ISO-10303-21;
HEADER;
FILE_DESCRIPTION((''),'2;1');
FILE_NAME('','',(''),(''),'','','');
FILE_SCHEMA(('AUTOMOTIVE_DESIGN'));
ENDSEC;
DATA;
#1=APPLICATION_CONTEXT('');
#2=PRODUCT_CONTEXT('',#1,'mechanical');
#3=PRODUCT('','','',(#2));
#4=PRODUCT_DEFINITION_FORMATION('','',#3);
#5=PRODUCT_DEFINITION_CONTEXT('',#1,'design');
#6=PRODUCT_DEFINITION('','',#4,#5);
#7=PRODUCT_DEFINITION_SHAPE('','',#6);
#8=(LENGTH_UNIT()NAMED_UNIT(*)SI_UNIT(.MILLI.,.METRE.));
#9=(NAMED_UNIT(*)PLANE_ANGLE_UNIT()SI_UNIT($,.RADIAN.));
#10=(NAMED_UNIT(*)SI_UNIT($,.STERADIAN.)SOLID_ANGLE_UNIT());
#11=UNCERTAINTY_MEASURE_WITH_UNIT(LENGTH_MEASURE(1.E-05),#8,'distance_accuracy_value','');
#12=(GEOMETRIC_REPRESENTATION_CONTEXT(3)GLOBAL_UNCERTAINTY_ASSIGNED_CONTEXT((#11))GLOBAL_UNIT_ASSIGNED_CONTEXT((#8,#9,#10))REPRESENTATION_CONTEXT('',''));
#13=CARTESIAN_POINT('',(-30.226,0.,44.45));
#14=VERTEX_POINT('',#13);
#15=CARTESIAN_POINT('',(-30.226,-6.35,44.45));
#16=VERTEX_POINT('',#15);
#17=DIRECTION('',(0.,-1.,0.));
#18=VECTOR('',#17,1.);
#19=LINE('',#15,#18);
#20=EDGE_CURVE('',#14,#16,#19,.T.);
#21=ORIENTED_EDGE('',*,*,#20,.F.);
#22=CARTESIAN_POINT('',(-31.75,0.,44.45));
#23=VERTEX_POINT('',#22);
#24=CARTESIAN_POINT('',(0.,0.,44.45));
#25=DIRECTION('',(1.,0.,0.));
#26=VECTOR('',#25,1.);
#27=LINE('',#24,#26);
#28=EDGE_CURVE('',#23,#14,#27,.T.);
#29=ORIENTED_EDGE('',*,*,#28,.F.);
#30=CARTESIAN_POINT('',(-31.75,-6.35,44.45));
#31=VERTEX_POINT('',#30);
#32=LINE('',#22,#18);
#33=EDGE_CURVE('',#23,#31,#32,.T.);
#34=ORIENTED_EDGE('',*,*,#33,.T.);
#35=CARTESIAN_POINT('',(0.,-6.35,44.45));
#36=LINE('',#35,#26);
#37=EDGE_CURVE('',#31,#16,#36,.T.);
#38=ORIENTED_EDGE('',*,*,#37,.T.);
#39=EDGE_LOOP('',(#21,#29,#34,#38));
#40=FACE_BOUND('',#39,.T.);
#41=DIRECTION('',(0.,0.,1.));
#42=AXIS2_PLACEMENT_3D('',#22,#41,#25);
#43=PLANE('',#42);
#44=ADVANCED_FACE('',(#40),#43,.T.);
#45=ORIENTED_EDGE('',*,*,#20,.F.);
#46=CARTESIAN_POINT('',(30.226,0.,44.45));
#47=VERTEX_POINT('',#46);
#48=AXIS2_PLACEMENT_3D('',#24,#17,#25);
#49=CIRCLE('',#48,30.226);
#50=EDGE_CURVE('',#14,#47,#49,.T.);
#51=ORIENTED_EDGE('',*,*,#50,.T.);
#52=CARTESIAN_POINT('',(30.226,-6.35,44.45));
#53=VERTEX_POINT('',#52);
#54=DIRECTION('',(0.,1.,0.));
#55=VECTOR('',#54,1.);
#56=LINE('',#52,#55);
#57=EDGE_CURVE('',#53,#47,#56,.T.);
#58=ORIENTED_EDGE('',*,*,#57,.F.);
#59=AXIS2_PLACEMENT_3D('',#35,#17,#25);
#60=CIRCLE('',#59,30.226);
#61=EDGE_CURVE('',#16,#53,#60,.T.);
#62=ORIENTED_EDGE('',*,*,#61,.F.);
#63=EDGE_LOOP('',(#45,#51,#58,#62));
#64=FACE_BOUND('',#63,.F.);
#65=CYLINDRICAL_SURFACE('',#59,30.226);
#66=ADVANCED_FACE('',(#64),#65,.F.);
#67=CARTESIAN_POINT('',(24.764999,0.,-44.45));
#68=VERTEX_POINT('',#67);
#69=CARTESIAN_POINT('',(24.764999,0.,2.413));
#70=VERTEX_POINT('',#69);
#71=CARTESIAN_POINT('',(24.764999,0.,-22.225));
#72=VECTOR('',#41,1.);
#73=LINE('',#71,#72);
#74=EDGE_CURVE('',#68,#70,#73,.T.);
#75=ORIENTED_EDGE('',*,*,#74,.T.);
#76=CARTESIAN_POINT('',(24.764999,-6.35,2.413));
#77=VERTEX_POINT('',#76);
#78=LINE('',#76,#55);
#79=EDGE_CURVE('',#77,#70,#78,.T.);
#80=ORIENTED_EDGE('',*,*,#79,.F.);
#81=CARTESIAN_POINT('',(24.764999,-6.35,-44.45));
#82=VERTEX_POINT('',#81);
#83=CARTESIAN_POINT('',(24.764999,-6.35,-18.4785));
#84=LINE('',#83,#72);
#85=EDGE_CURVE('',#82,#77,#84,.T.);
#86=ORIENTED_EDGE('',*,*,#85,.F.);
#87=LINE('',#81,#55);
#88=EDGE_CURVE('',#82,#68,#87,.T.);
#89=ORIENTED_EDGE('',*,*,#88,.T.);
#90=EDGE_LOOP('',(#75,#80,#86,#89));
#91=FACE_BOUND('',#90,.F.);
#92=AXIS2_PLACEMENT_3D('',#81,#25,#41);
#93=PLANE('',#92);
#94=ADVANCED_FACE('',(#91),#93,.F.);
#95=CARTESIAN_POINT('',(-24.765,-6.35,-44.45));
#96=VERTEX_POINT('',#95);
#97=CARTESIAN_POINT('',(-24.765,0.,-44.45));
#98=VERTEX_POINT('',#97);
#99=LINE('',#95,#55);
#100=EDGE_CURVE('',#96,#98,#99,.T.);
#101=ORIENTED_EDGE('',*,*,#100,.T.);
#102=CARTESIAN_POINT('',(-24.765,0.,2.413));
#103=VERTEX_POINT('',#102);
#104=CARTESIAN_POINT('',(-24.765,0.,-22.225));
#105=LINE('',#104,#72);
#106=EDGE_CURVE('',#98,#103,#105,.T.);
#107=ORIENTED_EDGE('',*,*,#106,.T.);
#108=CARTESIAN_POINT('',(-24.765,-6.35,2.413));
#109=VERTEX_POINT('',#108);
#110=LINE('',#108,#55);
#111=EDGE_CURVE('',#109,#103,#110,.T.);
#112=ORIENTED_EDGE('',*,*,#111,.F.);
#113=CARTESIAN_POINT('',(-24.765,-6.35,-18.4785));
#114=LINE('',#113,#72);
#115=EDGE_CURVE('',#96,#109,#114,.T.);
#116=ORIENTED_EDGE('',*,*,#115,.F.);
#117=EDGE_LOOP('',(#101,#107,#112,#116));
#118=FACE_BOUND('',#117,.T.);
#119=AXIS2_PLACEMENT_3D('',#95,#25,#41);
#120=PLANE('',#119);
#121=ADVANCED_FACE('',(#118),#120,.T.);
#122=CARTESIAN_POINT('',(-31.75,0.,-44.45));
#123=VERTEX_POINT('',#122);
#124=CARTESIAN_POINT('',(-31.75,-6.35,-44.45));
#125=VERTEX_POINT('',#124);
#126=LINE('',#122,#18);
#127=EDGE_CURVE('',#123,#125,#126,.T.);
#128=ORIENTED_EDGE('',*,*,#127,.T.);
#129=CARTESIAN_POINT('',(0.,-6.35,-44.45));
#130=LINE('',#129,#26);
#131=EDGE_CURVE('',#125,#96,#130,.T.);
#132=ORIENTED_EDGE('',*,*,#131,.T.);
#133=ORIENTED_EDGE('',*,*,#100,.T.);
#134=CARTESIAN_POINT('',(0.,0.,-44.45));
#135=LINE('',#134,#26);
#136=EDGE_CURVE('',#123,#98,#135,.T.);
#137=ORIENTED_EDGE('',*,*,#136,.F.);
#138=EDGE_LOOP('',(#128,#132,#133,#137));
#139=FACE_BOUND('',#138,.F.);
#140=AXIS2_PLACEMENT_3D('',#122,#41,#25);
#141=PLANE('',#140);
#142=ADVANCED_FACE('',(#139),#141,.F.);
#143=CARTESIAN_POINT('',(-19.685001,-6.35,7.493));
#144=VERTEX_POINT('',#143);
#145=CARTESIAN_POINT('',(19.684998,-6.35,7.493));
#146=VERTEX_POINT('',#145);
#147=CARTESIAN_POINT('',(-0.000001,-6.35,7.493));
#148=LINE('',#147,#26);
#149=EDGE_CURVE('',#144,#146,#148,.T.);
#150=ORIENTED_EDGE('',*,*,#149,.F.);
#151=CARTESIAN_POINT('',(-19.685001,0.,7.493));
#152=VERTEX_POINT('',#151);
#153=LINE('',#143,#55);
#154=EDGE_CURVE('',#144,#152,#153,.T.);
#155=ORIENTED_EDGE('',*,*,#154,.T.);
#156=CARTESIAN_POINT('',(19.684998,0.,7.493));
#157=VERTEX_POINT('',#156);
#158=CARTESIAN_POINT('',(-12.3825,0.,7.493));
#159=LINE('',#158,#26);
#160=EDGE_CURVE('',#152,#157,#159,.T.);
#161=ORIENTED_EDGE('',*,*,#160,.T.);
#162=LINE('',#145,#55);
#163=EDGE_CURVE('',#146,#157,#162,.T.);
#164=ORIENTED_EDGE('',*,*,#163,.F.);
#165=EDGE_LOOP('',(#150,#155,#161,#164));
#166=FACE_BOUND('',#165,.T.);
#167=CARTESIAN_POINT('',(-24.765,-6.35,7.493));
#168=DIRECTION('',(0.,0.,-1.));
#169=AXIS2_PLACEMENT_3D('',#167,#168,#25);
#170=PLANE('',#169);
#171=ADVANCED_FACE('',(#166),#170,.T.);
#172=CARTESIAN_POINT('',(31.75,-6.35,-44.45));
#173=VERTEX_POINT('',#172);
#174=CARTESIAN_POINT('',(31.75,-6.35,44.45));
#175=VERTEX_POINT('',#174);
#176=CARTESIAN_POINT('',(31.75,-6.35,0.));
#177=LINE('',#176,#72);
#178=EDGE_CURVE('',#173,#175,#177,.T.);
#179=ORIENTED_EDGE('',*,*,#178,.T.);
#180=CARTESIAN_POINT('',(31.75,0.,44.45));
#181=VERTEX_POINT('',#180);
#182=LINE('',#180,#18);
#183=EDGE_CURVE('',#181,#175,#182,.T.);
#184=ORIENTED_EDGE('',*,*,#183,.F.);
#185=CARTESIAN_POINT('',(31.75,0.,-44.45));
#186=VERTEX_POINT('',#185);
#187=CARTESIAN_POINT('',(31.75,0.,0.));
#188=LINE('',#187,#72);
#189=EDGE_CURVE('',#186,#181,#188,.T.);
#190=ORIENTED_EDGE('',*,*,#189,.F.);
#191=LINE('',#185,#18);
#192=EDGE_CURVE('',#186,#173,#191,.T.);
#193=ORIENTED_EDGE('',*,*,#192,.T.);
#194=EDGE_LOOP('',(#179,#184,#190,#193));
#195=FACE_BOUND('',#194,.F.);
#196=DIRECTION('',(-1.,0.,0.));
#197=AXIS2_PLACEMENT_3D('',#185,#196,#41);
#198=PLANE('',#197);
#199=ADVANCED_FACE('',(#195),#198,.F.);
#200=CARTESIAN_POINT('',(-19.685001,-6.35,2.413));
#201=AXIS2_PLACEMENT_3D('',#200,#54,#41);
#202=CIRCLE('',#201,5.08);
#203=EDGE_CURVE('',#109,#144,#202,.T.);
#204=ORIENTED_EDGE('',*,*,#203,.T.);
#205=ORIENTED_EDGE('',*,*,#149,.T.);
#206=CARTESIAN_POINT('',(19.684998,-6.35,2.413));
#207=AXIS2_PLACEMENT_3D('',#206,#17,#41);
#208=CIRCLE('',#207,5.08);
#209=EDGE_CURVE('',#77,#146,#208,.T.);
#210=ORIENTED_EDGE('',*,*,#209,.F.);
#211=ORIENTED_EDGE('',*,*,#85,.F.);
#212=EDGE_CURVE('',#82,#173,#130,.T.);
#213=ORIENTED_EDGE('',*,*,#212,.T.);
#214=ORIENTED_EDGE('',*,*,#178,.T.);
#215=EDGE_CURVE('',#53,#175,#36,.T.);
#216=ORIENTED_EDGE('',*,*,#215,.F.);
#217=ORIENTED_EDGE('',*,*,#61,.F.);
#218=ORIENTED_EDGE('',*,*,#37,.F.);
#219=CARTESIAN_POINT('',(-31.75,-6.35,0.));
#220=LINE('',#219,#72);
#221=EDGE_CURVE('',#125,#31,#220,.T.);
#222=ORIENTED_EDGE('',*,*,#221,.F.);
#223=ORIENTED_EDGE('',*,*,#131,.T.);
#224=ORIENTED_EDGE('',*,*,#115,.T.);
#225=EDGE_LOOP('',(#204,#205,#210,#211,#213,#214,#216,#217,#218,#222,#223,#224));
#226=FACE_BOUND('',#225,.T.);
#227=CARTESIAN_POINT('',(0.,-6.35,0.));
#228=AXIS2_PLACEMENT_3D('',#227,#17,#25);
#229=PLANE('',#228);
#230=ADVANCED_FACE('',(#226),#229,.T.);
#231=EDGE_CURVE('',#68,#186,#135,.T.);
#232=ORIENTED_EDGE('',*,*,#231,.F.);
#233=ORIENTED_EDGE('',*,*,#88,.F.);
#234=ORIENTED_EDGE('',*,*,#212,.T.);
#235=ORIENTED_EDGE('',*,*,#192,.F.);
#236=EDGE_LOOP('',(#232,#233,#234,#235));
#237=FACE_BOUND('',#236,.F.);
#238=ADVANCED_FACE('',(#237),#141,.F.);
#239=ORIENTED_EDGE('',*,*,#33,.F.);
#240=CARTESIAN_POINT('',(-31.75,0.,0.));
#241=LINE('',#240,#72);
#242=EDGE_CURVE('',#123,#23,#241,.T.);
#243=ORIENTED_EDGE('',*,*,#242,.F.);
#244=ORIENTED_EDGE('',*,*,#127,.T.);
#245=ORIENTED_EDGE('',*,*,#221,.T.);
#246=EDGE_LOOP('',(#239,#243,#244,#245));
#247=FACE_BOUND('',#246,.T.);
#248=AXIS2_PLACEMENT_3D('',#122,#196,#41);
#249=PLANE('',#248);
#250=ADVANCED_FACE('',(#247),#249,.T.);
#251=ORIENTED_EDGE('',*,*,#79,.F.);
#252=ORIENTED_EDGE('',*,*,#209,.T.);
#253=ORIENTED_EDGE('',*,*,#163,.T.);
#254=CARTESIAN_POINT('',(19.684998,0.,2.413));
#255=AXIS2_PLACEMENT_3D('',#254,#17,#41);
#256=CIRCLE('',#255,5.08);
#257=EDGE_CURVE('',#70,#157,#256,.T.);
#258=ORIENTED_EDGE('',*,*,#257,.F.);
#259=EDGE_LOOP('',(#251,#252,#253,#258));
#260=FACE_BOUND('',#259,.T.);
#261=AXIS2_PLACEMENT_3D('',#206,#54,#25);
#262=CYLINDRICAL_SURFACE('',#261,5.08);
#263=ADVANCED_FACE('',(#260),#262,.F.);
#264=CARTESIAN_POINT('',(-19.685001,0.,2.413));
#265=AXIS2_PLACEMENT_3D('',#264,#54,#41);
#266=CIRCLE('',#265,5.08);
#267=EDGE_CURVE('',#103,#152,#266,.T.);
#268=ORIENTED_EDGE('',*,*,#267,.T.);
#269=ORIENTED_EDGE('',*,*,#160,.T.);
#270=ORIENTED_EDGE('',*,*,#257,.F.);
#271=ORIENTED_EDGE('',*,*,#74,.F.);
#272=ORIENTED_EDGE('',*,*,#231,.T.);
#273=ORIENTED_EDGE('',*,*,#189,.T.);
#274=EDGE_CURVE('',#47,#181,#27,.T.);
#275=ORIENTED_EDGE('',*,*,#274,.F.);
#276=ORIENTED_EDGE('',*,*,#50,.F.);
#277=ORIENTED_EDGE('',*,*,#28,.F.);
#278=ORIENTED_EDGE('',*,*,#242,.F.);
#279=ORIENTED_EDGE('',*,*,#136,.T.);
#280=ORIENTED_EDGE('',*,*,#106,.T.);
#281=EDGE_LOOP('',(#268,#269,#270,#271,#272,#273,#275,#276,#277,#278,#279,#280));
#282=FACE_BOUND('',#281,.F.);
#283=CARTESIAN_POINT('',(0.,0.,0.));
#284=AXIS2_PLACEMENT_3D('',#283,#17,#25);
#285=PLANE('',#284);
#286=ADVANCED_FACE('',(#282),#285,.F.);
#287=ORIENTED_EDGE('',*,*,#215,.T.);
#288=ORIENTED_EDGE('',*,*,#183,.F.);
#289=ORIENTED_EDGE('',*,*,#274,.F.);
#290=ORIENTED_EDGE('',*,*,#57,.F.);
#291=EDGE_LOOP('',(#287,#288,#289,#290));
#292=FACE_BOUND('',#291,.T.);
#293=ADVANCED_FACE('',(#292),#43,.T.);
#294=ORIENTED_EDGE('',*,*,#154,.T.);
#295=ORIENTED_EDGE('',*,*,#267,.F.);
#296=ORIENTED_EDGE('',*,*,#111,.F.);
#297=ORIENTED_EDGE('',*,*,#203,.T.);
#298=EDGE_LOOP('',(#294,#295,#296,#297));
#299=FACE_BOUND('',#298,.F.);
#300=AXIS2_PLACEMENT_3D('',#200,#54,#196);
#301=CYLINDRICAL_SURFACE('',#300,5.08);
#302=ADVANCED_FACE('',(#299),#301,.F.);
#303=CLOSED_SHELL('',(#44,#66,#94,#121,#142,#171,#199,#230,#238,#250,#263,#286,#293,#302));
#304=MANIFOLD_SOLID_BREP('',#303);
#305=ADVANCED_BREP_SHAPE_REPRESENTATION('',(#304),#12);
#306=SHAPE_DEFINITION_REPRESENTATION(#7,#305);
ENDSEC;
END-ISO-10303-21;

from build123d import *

# Parameters (mm, degrees)
F0_W     = 63.5
F0_H     = 88.9
F1_DEPTH = 6.35
F2_R     = 30.226
F3_DEPTH = 6.351
F4_W     = 49.529999
F4_H     = 51.943
F5_DEPTH = 6.351
F6_R     = 5.08


with BuildPart() as f1:
    # F0 (on Front) → F1 (new body)
    with BuildSketch(Plane.XZ):
        Rectangle(F0_W, F0_H)
    extrude(amount=F1_DEPTH)

    # F2 (on face) → F3 (cut, through all)
    with BuildSketch(Plane.XZ.offset(6.35)):
        with Locations((0, 44.45)):
            Circle(F2_R)
    extrude(amount=-F3_DEPTH, mode=Mode.SUBTRACT)

    # F4 (on face) → F5 (cut, through all)
    with BuildSketch(Plane.XZ.offset(6.35)):
        with Locations((-1e-06, -18.4785)):
            Rectangle(F4_W, F4_H)
    extrude(amount=-F5_DEPTH, mode=Mode.SUBTRACT)

    # F6
    f6_edges = [f1.edges().sort_by_distance(p)[0] for p in [
        (-24.765, -3.175, 7.493),
        (24.764999, -3.175, 7.493),
    ]]
    fillet(f6_edges, radius=F6_R)


solid = f1.part
